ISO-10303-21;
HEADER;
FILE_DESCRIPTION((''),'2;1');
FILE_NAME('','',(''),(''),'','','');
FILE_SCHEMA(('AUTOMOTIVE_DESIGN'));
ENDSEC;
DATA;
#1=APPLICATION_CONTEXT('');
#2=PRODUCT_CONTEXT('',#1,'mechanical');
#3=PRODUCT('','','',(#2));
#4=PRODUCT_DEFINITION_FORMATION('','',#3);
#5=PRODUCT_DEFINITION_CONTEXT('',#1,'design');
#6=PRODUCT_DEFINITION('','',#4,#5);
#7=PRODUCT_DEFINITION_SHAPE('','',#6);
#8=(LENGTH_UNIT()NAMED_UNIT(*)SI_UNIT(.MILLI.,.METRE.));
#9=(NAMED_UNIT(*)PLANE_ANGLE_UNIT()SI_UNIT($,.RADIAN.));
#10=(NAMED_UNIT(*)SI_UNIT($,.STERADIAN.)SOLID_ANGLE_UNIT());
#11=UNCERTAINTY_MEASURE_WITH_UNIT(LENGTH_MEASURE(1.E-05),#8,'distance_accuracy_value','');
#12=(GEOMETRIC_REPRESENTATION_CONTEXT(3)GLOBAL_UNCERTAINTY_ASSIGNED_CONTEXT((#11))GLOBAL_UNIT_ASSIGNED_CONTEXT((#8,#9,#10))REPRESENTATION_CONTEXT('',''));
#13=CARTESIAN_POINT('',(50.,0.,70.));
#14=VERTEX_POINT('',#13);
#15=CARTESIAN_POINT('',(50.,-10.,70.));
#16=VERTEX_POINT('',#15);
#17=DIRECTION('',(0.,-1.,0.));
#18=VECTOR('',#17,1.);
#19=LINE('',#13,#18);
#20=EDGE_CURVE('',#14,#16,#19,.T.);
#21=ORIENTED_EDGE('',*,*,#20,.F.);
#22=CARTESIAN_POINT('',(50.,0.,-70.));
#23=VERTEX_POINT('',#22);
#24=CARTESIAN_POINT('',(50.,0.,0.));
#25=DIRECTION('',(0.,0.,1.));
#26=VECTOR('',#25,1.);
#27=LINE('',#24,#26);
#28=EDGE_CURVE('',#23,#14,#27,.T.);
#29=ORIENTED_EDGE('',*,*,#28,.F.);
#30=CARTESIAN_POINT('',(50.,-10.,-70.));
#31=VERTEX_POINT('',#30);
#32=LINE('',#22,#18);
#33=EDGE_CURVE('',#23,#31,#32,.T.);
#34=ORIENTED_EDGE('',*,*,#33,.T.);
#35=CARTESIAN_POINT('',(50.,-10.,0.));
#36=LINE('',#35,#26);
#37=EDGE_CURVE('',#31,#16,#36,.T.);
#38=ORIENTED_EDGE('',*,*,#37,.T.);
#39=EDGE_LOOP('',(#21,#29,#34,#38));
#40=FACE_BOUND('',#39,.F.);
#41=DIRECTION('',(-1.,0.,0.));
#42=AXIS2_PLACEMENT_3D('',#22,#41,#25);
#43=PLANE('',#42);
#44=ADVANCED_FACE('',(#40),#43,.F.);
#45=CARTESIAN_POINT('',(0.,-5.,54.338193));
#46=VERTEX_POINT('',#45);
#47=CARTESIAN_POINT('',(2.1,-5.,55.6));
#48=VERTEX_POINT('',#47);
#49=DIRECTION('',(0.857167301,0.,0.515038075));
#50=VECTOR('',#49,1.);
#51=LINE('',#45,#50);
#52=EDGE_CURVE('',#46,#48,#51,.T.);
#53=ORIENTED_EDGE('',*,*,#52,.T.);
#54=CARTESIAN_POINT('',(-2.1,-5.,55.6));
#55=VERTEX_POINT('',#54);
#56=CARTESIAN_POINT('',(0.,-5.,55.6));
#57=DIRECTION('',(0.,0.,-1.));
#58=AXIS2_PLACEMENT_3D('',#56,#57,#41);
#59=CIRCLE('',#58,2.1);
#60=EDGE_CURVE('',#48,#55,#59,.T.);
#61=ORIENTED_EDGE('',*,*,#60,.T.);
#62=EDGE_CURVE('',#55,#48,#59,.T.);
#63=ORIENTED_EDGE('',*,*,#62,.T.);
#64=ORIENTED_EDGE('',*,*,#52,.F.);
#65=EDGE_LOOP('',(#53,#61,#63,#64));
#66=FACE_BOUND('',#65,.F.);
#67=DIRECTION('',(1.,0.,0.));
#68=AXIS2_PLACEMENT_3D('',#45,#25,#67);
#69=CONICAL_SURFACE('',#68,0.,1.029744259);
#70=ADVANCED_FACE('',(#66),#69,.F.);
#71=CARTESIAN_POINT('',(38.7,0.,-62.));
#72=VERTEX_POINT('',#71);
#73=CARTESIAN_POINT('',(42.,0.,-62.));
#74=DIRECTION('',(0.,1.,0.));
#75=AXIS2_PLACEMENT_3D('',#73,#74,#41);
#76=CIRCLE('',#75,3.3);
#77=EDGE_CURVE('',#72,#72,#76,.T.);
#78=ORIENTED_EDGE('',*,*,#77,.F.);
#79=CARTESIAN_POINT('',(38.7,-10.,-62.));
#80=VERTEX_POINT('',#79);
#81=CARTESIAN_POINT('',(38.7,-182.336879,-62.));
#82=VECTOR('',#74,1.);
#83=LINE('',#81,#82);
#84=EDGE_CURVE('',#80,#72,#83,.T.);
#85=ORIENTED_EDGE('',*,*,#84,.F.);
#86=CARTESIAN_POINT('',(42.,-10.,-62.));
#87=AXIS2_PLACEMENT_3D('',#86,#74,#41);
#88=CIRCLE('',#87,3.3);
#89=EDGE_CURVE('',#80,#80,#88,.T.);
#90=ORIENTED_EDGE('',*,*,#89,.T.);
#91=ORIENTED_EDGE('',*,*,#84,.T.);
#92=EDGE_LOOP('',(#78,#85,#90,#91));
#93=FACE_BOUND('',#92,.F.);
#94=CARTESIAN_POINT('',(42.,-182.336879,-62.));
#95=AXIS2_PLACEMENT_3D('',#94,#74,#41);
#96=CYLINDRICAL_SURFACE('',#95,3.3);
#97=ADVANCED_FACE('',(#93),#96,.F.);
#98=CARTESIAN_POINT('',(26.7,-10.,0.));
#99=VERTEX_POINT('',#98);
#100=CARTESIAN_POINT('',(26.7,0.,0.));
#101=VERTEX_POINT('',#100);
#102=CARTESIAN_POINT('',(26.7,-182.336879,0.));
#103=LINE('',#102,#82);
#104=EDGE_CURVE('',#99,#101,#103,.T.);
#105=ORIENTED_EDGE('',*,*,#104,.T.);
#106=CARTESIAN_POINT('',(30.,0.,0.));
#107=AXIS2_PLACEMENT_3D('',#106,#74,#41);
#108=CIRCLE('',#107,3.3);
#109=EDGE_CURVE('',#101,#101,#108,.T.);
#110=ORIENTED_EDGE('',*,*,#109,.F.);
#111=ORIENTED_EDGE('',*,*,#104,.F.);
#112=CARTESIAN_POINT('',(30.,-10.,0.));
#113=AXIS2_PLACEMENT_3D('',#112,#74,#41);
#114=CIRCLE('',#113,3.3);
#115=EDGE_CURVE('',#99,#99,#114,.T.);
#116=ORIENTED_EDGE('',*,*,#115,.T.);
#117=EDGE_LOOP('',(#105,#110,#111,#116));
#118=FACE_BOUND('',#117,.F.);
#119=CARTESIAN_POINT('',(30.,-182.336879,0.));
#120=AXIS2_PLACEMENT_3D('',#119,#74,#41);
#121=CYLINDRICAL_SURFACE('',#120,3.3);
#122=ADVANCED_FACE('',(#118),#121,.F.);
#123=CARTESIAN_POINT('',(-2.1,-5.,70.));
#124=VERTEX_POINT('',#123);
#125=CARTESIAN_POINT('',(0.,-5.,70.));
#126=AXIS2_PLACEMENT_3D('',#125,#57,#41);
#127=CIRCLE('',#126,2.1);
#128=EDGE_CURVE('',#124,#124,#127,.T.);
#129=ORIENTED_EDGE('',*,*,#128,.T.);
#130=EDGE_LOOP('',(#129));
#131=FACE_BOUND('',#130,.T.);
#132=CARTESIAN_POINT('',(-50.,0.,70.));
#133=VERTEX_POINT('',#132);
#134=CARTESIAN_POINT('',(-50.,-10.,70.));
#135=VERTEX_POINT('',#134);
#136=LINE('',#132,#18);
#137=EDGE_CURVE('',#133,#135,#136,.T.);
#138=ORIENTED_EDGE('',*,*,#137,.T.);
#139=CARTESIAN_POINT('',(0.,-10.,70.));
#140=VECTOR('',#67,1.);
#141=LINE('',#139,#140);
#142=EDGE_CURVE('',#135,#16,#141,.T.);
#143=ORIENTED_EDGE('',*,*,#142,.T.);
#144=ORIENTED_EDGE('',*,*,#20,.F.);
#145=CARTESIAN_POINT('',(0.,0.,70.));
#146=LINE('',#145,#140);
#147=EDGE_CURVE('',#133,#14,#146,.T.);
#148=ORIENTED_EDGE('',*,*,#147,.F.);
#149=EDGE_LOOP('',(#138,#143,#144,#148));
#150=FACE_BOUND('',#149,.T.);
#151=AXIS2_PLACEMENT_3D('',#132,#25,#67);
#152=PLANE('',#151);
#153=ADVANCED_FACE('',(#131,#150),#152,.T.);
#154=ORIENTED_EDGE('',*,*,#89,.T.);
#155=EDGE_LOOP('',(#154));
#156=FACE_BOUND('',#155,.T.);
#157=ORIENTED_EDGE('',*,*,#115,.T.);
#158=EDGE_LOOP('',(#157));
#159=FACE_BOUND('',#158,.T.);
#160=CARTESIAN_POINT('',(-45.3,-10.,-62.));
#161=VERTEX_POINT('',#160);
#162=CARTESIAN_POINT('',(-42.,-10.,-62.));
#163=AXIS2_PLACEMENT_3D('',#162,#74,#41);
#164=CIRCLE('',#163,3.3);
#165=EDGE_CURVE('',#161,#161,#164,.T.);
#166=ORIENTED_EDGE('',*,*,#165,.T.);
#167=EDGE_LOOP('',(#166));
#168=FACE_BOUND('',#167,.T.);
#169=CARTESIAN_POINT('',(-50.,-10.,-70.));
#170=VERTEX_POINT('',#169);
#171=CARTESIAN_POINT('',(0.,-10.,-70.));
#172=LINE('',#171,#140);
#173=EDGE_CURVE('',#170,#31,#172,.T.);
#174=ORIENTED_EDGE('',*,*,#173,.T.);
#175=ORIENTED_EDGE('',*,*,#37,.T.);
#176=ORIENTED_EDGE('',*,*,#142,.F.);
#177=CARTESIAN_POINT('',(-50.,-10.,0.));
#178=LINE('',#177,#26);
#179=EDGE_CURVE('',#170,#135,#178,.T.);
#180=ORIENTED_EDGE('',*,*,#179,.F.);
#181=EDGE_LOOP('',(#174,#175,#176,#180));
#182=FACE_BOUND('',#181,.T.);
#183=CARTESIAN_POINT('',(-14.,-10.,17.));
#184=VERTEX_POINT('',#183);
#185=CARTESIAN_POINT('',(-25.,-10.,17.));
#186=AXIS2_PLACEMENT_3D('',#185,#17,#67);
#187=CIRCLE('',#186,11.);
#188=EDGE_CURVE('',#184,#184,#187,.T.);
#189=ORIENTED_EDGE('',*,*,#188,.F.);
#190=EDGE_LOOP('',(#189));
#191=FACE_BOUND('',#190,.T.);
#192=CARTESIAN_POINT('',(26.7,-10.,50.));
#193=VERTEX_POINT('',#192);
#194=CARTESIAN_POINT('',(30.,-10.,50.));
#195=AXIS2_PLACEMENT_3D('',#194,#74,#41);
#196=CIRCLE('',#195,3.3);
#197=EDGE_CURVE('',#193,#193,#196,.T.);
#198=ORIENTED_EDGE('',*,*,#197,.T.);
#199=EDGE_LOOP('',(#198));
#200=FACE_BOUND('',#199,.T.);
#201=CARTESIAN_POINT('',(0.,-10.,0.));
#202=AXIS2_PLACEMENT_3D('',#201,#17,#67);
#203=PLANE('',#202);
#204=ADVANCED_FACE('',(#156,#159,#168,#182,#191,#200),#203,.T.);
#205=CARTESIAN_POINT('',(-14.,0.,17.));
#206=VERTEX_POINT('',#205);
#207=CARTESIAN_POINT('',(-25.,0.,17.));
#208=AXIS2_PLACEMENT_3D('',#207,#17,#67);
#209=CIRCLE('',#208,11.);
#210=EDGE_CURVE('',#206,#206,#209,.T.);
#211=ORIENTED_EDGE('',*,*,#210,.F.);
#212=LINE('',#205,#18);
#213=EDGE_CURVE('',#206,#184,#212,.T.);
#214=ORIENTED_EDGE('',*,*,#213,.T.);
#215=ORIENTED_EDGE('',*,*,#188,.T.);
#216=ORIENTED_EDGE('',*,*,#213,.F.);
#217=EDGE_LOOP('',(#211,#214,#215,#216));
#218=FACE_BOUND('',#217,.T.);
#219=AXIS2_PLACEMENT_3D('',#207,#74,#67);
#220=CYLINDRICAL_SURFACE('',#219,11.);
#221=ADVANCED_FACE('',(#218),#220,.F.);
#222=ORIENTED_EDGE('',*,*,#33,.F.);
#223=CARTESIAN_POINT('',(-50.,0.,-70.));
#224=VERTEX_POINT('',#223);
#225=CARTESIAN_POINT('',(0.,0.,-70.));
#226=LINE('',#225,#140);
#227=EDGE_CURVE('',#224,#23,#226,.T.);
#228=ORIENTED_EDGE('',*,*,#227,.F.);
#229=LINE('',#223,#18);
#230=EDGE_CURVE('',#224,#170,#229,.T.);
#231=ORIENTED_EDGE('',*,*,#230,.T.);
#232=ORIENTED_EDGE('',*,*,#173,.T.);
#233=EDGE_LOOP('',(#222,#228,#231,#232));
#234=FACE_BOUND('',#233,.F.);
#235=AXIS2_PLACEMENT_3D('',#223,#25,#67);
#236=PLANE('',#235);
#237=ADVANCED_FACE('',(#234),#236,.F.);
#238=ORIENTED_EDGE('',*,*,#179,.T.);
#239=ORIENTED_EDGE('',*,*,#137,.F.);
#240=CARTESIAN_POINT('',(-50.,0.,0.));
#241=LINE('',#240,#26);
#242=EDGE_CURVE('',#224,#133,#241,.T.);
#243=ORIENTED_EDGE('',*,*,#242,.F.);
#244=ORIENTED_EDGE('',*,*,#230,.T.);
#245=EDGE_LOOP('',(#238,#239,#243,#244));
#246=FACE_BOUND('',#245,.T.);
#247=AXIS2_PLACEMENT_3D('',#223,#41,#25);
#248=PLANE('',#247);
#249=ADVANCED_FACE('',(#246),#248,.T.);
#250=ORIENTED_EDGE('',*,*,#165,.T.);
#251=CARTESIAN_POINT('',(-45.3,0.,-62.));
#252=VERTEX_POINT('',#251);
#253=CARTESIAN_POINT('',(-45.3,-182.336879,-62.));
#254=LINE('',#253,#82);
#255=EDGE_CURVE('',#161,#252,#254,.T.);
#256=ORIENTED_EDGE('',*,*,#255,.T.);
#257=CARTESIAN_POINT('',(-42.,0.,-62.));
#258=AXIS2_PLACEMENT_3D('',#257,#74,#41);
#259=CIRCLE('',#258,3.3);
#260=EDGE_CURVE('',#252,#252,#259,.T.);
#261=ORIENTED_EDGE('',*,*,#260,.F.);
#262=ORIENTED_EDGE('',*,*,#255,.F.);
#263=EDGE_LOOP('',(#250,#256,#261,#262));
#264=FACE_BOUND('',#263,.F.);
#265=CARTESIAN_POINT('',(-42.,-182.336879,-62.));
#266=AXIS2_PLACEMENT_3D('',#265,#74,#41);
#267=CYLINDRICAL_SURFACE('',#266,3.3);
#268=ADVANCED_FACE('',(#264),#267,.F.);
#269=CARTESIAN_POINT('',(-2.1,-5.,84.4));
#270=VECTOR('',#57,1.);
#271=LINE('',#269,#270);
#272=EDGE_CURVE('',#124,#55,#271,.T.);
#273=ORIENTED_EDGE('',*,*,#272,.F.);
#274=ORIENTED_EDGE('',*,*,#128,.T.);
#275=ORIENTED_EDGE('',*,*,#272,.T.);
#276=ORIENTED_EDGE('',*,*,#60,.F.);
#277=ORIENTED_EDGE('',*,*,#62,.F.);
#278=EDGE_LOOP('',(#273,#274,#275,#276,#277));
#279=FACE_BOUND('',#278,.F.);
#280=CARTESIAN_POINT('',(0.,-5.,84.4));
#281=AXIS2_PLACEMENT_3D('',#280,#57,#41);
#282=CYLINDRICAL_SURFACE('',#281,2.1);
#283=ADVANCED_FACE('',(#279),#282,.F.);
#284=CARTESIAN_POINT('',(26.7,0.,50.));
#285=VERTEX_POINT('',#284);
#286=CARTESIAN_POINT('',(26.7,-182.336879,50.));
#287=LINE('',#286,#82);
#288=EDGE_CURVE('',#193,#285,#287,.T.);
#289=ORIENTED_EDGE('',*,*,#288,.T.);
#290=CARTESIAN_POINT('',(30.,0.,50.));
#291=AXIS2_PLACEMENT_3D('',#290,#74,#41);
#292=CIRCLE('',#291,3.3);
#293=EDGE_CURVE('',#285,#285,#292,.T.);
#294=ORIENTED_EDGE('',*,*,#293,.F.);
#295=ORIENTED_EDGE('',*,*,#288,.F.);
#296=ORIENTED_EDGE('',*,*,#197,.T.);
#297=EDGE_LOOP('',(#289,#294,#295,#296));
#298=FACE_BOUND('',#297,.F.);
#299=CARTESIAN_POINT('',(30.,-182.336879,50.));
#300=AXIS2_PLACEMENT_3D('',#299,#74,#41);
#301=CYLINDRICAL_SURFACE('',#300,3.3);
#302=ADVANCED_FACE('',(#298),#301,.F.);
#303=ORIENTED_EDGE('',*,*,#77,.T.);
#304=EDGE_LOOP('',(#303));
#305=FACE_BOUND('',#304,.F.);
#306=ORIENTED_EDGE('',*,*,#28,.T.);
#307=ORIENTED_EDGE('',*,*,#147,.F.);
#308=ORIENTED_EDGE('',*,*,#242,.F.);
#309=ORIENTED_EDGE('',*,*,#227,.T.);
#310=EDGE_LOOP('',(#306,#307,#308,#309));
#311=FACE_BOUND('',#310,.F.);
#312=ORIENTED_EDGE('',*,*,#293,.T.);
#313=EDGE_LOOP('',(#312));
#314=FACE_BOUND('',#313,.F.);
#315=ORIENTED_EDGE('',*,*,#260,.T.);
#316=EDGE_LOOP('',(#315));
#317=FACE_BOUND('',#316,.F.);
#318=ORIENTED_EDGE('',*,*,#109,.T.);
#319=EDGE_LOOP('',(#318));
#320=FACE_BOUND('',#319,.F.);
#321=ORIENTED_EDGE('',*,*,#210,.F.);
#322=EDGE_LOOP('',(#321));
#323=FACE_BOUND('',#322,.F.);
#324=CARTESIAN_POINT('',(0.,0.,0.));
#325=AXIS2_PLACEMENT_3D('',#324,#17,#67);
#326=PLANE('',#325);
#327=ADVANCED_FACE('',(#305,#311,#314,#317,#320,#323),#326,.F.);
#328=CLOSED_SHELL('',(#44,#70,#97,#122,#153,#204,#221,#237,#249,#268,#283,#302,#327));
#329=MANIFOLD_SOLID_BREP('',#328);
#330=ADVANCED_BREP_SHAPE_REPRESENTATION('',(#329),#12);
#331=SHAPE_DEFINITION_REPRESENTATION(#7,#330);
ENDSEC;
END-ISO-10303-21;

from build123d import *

# Parameters (mm, degrees)
F0_W     = 100
F0_H     = 140
F0_R     = 11
F1_DEPTH = 10
F4_D     = 4.2
F4_DEPTH = 14.4
F4_TIP   = 1.2618073
F5_D     = 6.6


with BuildPart() as f1:
    # F0 (on Front) → F1 (new body)
    with BuildSketch(Plane.XZ):
        Rectangle(F0_W, F0_H)
        with Locations((-25, 17)):
            Circle(F0_R, mode=Mode.SUBTRACT)
    extrude(amount=F1_DEPTH)

    # F4
    with Locations(Plane.XY.offset(70)):
        with Locations((0, -5)):
            Hole(F4_D / 2, depth=F4_DEPTH)
            with Locations((0, 0, -(F4_DEPTH + F4_TIP / 2))):  # 118° drill point
                Cone(0, F4_D / 2, F4_TIP, mode=Mode.SUBTRACT)

    # F5 (through all)
    with Locations(Plane.XZ.offset(10)):
        with Locations((30, 50), (30, 0), (-42, -62), (42, -62)):
            Hole(F5_D / 2)


solid = f1.part
